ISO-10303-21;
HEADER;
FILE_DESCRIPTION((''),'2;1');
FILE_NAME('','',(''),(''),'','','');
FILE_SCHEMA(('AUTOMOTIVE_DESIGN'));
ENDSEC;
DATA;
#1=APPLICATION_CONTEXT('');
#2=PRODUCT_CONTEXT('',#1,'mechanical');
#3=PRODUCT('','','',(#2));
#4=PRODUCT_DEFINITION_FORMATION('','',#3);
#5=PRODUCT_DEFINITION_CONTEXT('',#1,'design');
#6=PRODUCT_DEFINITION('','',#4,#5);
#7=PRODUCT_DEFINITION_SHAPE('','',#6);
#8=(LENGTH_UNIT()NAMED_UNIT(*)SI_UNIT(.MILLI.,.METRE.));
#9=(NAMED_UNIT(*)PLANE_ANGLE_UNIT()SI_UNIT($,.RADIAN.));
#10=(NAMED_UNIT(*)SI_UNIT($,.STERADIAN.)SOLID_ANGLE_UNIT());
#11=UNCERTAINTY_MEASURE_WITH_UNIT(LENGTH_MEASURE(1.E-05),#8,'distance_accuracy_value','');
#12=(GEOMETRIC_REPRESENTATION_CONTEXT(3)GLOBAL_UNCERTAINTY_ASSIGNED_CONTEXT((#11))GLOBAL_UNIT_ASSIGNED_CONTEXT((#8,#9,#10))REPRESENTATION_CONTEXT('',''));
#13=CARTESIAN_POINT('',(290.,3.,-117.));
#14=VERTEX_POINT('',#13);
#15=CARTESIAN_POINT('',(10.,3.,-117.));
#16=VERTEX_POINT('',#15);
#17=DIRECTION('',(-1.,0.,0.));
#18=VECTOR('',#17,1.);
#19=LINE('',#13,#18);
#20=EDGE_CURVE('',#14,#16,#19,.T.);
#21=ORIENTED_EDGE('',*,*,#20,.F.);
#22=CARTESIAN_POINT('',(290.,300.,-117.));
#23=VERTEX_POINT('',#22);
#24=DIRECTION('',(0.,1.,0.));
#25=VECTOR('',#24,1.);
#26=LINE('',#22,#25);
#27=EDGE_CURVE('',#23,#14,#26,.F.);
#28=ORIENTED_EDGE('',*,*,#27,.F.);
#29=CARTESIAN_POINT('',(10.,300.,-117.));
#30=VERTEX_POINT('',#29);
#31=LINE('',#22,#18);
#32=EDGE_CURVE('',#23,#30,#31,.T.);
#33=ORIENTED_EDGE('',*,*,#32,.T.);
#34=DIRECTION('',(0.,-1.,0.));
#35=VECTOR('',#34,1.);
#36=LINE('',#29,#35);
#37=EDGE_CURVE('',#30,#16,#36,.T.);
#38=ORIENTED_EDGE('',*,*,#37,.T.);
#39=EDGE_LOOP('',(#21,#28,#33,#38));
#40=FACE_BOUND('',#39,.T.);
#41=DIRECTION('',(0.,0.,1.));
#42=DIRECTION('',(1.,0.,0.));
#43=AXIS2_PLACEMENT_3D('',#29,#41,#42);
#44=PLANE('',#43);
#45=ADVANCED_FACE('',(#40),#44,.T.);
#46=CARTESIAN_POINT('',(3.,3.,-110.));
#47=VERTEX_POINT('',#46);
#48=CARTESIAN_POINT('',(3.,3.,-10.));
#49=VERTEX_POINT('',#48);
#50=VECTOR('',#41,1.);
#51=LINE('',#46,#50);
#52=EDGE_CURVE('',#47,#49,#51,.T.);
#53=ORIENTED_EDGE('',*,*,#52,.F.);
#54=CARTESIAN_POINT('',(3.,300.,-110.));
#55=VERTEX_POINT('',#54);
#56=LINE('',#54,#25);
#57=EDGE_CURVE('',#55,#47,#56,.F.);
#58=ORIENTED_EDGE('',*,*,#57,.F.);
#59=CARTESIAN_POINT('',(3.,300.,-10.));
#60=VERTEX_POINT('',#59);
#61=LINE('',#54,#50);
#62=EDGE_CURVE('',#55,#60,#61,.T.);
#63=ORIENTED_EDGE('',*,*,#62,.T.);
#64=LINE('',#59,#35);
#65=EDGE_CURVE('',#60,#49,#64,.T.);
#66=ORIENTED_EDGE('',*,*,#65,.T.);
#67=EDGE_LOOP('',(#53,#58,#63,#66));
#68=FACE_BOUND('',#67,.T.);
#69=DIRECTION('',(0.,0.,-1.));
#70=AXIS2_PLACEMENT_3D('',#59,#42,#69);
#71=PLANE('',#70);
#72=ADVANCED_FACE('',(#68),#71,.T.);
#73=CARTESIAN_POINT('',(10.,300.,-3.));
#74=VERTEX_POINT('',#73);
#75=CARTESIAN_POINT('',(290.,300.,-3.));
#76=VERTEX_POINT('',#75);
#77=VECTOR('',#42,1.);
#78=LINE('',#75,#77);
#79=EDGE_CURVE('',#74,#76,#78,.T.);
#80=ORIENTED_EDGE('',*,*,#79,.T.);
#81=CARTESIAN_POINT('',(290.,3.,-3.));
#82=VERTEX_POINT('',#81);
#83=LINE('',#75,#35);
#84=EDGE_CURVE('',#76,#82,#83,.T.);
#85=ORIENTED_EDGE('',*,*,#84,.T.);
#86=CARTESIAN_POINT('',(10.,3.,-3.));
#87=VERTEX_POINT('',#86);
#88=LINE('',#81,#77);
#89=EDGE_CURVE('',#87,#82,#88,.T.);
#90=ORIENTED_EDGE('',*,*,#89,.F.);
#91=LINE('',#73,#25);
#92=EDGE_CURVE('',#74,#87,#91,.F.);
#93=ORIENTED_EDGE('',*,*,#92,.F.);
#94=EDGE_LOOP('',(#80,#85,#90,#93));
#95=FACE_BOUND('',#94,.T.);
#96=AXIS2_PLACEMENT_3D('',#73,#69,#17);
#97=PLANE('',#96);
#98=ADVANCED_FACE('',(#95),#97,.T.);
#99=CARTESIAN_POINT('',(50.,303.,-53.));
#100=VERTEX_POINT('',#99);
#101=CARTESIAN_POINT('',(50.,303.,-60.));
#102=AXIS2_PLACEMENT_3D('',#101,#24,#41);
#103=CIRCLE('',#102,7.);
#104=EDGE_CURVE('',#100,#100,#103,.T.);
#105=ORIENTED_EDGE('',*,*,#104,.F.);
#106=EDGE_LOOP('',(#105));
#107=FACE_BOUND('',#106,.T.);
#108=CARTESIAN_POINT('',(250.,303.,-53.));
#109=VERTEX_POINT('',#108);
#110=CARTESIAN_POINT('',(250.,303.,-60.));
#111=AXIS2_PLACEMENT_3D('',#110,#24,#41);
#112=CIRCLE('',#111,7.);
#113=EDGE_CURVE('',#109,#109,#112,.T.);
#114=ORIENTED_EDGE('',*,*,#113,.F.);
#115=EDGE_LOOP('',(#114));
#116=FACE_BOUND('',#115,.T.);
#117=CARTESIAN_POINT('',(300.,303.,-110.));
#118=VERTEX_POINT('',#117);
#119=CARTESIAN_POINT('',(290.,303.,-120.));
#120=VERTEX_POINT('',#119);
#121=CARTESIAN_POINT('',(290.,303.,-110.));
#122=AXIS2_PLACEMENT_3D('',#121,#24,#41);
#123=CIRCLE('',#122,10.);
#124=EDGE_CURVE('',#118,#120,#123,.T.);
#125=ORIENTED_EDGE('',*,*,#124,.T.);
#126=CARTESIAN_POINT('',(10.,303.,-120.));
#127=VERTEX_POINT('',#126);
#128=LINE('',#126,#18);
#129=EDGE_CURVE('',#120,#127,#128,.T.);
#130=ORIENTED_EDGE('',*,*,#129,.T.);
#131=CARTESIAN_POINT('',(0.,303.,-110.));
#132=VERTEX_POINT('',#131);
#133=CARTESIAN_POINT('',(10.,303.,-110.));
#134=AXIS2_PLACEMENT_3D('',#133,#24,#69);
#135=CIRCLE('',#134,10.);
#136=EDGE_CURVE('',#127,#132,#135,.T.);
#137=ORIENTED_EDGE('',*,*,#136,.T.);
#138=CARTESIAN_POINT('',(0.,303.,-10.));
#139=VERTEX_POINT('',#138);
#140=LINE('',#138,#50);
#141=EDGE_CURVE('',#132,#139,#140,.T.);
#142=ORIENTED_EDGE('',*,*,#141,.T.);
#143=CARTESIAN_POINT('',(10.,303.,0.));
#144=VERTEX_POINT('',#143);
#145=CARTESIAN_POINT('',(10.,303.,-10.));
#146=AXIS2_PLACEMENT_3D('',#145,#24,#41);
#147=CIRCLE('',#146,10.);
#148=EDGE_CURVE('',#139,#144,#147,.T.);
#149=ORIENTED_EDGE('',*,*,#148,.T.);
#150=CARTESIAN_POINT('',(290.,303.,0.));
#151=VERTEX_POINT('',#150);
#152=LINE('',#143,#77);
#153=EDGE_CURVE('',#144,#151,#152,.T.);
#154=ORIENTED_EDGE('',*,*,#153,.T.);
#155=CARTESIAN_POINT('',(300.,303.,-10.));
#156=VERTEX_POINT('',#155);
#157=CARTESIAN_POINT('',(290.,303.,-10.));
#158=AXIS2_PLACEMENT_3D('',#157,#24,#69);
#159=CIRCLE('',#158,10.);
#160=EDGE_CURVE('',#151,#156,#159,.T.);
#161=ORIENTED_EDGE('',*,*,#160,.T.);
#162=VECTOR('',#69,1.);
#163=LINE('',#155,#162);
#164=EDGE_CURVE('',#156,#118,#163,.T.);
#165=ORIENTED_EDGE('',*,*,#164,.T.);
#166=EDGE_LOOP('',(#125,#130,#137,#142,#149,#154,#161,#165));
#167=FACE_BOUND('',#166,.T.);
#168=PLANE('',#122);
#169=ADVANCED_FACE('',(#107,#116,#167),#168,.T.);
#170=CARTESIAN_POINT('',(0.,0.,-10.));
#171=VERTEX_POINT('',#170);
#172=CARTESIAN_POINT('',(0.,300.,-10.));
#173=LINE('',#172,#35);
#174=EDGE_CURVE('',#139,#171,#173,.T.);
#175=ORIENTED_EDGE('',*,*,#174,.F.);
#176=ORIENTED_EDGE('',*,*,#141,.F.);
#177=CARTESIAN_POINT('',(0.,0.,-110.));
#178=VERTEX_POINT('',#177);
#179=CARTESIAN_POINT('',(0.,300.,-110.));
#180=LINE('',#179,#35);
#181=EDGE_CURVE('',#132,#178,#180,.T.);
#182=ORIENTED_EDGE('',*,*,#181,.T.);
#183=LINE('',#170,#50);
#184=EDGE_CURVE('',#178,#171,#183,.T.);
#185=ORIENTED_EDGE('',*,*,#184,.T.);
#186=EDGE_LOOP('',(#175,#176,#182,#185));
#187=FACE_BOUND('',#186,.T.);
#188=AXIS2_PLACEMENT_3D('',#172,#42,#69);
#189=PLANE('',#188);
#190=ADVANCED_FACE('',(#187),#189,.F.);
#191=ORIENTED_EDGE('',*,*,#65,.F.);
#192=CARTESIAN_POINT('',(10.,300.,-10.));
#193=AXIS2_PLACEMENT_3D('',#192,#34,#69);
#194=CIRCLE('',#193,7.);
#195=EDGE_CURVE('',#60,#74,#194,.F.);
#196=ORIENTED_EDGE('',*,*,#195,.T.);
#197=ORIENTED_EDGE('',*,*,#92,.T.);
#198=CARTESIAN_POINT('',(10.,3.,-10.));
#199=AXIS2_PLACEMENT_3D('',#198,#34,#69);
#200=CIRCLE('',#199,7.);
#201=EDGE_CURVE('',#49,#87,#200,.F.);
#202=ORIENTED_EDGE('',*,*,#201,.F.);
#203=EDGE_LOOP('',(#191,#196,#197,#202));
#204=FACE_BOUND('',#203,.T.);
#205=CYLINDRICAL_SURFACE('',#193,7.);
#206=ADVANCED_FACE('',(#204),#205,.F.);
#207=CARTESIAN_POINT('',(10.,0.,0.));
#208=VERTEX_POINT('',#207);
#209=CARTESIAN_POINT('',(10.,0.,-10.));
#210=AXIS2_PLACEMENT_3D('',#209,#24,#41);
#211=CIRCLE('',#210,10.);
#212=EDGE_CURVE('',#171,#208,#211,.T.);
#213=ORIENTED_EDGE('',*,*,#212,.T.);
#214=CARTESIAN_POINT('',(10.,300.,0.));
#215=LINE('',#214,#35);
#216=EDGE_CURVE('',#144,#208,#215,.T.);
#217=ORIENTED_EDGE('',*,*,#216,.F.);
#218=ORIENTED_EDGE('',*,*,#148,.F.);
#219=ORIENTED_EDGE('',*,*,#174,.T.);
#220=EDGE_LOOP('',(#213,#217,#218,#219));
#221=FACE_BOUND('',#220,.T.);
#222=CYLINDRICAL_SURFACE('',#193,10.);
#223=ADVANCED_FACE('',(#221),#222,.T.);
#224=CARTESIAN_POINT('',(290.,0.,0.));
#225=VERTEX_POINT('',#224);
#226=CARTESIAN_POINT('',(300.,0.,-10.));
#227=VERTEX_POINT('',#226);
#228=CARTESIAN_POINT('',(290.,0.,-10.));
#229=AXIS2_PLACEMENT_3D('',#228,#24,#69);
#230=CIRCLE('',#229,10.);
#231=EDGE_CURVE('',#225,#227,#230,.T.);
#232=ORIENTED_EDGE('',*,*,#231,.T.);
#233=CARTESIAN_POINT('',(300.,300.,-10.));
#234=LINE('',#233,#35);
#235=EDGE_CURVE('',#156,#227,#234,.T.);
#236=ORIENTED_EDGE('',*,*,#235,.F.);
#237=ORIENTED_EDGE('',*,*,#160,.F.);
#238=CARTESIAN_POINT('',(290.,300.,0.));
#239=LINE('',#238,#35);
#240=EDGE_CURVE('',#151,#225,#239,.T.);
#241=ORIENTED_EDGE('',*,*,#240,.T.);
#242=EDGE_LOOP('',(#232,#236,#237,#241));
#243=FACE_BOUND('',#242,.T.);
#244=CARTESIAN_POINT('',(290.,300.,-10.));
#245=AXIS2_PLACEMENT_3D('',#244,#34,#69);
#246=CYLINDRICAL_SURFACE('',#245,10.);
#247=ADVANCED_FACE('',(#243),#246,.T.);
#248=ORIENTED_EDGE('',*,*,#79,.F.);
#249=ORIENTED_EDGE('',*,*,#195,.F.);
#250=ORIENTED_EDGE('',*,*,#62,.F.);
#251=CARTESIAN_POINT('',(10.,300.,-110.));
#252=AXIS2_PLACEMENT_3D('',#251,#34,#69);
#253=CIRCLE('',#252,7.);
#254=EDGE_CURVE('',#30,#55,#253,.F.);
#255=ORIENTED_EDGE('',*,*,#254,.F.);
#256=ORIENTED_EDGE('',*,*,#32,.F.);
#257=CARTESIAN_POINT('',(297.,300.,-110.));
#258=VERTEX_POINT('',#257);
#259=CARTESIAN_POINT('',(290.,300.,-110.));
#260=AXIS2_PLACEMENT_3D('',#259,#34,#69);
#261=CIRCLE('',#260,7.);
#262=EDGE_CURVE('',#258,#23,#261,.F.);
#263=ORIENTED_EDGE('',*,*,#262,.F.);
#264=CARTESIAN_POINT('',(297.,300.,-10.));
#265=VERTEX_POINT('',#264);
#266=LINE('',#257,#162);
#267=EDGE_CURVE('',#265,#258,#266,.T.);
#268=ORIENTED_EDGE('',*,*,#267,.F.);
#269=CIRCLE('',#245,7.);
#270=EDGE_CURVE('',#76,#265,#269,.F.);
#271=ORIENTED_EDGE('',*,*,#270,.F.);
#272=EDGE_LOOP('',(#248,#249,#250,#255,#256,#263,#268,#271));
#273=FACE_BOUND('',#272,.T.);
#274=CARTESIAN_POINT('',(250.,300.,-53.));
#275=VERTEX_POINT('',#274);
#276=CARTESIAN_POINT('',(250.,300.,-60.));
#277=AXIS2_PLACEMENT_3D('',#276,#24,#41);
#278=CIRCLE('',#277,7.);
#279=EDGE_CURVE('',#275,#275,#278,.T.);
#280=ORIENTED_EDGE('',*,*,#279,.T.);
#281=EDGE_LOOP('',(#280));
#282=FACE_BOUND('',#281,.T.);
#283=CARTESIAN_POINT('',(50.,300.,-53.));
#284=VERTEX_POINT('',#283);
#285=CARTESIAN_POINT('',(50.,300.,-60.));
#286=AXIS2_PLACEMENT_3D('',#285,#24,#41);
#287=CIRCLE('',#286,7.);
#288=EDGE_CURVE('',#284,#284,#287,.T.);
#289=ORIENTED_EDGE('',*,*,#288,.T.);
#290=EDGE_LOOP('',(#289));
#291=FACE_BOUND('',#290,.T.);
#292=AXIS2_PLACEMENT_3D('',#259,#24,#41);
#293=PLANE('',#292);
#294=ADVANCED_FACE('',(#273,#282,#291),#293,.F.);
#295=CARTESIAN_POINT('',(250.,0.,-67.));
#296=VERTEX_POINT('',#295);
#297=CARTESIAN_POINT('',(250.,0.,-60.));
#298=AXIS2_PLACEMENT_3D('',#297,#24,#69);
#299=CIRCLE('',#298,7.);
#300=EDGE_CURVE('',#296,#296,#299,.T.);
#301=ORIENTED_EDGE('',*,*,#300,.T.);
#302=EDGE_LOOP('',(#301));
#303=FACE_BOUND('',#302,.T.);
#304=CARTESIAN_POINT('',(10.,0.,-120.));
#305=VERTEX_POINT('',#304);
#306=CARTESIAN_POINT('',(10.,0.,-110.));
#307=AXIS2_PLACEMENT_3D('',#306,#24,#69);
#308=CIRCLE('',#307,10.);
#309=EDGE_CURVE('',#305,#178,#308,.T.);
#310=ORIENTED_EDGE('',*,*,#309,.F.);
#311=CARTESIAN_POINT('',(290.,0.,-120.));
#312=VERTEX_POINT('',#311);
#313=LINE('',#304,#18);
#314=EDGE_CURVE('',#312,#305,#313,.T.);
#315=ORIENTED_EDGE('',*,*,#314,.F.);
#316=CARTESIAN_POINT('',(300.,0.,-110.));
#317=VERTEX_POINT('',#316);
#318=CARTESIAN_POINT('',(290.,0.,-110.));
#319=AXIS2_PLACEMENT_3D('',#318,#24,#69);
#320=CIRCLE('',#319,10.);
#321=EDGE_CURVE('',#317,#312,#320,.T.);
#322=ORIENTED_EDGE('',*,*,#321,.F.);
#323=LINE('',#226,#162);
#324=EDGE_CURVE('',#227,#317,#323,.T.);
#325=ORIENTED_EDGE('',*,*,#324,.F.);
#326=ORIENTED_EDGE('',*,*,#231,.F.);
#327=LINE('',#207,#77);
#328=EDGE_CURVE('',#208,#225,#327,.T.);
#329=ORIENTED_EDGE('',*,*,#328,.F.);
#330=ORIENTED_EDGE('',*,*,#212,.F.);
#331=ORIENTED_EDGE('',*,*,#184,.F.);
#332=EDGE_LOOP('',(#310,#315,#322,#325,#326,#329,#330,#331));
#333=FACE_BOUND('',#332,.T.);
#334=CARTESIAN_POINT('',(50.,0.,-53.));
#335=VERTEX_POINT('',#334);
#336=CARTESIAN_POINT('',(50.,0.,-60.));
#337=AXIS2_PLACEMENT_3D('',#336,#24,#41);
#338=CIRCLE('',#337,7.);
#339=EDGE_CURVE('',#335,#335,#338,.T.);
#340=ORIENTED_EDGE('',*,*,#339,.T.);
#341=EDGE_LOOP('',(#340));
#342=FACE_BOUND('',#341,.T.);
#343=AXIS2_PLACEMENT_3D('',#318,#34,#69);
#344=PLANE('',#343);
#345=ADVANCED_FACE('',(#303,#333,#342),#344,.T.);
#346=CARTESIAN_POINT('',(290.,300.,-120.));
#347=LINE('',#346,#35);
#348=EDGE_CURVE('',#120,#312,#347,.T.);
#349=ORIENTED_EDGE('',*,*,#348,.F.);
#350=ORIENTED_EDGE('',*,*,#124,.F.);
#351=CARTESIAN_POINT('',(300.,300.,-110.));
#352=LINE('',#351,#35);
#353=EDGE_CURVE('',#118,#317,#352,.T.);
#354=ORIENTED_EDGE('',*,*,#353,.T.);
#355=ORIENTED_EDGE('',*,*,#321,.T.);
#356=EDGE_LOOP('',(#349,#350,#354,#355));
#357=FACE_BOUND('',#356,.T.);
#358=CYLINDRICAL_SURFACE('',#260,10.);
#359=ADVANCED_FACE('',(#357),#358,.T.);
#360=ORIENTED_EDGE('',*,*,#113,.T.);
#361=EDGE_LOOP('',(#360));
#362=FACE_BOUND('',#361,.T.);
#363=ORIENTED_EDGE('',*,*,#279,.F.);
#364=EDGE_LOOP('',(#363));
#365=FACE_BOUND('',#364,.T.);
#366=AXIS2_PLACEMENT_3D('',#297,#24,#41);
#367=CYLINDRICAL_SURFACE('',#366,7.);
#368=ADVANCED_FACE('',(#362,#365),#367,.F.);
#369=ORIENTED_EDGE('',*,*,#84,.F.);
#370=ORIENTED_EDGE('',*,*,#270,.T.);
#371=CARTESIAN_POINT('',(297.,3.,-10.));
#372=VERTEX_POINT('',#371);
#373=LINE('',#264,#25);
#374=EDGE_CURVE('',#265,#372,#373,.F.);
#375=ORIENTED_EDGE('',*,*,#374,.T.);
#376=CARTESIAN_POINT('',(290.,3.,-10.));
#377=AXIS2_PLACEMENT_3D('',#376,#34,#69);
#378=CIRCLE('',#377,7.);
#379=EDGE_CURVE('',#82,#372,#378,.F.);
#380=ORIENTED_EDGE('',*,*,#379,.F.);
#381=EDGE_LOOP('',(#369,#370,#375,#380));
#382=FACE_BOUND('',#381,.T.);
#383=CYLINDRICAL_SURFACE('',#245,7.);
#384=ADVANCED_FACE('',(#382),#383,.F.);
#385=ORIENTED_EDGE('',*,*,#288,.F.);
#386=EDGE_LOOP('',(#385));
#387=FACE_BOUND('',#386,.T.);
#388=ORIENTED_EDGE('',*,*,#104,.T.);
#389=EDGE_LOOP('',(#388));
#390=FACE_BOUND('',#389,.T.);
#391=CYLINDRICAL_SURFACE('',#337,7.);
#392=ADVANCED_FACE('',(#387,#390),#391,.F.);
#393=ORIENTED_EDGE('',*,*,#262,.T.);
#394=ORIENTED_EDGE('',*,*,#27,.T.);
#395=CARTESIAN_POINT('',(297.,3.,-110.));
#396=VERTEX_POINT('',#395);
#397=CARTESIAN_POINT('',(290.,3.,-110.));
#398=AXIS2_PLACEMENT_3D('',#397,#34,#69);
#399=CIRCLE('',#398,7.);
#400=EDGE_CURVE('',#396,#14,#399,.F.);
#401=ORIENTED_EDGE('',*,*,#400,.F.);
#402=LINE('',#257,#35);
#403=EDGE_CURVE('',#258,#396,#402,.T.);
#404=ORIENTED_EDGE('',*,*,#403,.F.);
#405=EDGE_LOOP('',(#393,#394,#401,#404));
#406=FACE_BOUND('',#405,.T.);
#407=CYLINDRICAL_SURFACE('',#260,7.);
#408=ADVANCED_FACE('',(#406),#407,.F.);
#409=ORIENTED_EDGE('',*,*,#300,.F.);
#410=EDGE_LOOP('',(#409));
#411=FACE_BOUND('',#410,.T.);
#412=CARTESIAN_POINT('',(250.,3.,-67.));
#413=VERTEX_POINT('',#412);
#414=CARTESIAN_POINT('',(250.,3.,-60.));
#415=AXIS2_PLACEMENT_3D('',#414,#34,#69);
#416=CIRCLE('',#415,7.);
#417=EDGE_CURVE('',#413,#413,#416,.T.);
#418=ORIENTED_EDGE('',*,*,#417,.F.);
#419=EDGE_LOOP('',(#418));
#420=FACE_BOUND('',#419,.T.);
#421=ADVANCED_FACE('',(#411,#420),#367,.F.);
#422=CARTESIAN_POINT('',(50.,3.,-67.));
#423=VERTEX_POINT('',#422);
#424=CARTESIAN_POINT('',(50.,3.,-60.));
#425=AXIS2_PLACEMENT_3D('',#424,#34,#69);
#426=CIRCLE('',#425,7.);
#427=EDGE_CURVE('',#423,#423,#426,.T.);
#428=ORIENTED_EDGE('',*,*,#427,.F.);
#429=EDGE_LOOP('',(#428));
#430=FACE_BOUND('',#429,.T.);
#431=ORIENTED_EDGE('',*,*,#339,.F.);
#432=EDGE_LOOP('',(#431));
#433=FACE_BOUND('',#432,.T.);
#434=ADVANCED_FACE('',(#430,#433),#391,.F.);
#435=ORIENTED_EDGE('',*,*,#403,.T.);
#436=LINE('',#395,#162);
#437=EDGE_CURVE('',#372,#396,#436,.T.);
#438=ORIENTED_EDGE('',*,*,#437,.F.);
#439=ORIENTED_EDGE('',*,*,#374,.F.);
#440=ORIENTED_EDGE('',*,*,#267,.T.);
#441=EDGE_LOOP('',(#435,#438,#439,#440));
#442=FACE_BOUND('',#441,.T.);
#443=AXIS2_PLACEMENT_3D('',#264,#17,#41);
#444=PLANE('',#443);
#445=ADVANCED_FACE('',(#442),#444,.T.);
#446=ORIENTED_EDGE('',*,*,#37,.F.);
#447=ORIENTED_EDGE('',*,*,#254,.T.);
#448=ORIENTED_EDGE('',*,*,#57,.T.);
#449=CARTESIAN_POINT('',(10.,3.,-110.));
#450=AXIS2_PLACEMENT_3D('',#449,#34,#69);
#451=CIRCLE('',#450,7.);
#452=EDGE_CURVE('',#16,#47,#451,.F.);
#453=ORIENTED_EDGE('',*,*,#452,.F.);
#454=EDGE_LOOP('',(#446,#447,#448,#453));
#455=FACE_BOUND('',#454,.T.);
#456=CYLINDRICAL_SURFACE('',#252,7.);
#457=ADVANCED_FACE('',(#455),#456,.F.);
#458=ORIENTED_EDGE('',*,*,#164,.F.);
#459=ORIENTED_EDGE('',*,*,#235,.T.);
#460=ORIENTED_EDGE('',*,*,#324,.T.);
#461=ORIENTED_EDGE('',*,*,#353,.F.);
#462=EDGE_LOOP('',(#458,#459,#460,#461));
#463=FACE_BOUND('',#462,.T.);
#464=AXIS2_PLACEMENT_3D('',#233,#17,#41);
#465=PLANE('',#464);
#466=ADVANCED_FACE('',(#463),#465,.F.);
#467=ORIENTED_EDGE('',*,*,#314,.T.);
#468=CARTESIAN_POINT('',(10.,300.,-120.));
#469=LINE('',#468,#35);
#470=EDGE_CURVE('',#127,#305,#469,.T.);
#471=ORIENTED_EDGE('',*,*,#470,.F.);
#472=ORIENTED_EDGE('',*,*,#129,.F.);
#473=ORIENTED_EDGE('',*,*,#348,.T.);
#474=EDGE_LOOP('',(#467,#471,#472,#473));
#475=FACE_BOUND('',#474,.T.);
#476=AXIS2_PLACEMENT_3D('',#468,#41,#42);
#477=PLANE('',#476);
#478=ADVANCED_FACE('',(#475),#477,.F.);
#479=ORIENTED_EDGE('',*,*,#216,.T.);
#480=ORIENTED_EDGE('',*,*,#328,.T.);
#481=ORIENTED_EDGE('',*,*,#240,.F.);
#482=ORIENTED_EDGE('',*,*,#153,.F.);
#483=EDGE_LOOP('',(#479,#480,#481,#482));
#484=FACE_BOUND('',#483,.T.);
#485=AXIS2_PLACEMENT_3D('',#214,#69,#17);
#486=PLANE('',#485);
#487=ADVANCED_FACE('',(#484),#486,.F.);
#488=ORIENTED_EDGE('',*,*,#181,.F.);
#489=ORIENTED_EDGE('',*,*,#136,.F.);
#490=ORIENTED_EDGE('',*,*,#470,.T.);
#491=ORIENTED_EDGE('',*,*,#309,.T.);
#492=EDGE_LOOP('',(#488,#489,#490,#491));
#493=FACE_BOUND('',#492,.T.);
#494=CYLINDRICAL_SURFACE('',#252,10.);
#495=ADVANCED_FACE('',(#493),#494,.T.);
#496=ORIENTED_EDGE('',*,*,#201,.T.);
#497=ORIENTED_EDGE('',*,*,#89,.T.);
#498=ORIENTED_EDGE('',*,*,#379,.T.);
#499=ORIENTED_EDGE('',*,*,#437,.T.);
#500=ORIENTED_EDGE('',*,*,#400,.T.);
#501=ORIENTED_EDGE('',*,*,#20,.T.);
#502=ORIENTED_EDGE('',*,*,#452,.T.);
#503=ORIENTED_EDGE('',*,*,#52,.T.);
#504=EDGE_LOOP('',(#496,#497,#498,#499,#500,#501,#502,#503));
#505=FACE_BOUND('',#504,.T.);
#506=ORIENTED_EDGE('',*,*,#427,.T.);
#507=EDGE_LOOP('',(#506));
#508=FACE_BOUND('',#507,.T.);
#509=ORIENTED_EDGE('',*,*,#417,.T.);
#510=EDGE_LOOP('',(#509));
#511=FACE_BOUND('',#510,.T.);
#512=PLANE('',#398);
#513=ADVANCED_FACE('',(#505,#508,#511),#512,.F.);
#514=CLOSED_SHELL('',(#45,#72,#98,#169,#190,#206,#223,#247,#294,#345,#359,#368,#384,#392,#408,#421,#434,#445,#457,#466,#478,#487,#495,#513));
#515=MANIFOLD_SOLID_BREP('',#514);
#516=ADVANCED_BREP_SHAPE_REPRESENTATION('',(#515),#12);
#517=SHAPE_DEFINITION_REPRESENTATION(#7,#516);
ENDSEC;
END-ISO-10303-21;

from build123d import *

# Parameters (mm, degrees)
BOSS_EXTRUDE1_DEPTH     = 300
SHELL5_T                = -3
BOSS_EXTRUDE2_DEPTH     = 3
CUT_EXTRUDE1_DEPTH      = 443.954850972
CUT_EXTRUDE1_DEPTH_BACK = 443.954850972
SKETCH4_R               = 7


with BuildPart() as part:
    # Sketch2 → Boss-Extrude1 (new body)
    with BuildSketch(Plane(origin=(0, 0, 0), x_dir=(1, 0, 0), z_dir=(0, 1, 0))):
        with BuildLine():
            Line((10, 0), (290, 0))
            ThreePointArc((290, 0), (297.071067812, 2.928932188), (300, 10))
            Line((300, 10), (300, 110))
            ThreePointArc((300, 110), (297.071067812, 117.071067812), (290, 120))
            Line((290, 120), (10, 120))
            ThreePointArc((10, 120), (2.928932188, 117.071067812), (0, 110))
            Line((0, 110), (0, 10))
            ThreePointArc((0, 10), (2.928932188, 2.928932188), (10, 0))
        make_face()
    extrude(amount=BOSS_EXTRUDE1_DEPTH)

    # Shell5
    shell5_openings = [part.faces().sort_by_distance(p)[0] for p in [
        (150, 300, -60),
    ]]
    offset(amount=SHELL5_T, openings=shell5_openings, kind=Kind.INTERSECTION)

    # Sketch3 → Boss-Extrude2 (add)
    with BuildSketch(Plane(origin=(0, 300, 0), x_dir=(1, 0, 0), z_dir=(0, 1, 0))):
        with BuildLine():
            Line((10, 0), (290, 0))
            ThreePointArc((290, 0), (297.071067812, 2.928932188), (300, 10))
            Line((300, 10), (300, 110))
            ThreePointArc((300, 110), (297.071067812, 117.071067812), (290, 120))
            Line((290, 120), (10, 120))
            ThreePointArc((10, 120), (2.928932188, 117.071067812), (0, 110))
            Line((0, 110), (0, 10))
            ThreePointArc((0, 10), (2.928932188, 2.928932188), (10, 0))
        make_face()
    extrude(amount=BOSS_EXTRUDE2_DEPTH)

    # Sketch4 → Cut-Extrude1 (cut, two sides: drawn at the far end of the back side and taken through both)
    with BuildSketch(Plane(origin=(0, 303, 0), x_dir=(1, 0, 0), z_dir=(0, 1, 0)).offset(-CUT_EXTRUDE1_DEPTH_BACK)):
        with Locations(Location((50, 60, 0), (0, 0, 270))):
            Circle(SKETCH4_R)
        with Locations(Location((250, 60, 0), (0, 0, 270))):
            Circle(SKETCH4_R)
    extrude(amount=CUT_EXTRUDE1_DEPTH + CUT_EXTRUDE1_DEPTH_BACK, mode=Mode.SUBTRACT)


solid = part.part
